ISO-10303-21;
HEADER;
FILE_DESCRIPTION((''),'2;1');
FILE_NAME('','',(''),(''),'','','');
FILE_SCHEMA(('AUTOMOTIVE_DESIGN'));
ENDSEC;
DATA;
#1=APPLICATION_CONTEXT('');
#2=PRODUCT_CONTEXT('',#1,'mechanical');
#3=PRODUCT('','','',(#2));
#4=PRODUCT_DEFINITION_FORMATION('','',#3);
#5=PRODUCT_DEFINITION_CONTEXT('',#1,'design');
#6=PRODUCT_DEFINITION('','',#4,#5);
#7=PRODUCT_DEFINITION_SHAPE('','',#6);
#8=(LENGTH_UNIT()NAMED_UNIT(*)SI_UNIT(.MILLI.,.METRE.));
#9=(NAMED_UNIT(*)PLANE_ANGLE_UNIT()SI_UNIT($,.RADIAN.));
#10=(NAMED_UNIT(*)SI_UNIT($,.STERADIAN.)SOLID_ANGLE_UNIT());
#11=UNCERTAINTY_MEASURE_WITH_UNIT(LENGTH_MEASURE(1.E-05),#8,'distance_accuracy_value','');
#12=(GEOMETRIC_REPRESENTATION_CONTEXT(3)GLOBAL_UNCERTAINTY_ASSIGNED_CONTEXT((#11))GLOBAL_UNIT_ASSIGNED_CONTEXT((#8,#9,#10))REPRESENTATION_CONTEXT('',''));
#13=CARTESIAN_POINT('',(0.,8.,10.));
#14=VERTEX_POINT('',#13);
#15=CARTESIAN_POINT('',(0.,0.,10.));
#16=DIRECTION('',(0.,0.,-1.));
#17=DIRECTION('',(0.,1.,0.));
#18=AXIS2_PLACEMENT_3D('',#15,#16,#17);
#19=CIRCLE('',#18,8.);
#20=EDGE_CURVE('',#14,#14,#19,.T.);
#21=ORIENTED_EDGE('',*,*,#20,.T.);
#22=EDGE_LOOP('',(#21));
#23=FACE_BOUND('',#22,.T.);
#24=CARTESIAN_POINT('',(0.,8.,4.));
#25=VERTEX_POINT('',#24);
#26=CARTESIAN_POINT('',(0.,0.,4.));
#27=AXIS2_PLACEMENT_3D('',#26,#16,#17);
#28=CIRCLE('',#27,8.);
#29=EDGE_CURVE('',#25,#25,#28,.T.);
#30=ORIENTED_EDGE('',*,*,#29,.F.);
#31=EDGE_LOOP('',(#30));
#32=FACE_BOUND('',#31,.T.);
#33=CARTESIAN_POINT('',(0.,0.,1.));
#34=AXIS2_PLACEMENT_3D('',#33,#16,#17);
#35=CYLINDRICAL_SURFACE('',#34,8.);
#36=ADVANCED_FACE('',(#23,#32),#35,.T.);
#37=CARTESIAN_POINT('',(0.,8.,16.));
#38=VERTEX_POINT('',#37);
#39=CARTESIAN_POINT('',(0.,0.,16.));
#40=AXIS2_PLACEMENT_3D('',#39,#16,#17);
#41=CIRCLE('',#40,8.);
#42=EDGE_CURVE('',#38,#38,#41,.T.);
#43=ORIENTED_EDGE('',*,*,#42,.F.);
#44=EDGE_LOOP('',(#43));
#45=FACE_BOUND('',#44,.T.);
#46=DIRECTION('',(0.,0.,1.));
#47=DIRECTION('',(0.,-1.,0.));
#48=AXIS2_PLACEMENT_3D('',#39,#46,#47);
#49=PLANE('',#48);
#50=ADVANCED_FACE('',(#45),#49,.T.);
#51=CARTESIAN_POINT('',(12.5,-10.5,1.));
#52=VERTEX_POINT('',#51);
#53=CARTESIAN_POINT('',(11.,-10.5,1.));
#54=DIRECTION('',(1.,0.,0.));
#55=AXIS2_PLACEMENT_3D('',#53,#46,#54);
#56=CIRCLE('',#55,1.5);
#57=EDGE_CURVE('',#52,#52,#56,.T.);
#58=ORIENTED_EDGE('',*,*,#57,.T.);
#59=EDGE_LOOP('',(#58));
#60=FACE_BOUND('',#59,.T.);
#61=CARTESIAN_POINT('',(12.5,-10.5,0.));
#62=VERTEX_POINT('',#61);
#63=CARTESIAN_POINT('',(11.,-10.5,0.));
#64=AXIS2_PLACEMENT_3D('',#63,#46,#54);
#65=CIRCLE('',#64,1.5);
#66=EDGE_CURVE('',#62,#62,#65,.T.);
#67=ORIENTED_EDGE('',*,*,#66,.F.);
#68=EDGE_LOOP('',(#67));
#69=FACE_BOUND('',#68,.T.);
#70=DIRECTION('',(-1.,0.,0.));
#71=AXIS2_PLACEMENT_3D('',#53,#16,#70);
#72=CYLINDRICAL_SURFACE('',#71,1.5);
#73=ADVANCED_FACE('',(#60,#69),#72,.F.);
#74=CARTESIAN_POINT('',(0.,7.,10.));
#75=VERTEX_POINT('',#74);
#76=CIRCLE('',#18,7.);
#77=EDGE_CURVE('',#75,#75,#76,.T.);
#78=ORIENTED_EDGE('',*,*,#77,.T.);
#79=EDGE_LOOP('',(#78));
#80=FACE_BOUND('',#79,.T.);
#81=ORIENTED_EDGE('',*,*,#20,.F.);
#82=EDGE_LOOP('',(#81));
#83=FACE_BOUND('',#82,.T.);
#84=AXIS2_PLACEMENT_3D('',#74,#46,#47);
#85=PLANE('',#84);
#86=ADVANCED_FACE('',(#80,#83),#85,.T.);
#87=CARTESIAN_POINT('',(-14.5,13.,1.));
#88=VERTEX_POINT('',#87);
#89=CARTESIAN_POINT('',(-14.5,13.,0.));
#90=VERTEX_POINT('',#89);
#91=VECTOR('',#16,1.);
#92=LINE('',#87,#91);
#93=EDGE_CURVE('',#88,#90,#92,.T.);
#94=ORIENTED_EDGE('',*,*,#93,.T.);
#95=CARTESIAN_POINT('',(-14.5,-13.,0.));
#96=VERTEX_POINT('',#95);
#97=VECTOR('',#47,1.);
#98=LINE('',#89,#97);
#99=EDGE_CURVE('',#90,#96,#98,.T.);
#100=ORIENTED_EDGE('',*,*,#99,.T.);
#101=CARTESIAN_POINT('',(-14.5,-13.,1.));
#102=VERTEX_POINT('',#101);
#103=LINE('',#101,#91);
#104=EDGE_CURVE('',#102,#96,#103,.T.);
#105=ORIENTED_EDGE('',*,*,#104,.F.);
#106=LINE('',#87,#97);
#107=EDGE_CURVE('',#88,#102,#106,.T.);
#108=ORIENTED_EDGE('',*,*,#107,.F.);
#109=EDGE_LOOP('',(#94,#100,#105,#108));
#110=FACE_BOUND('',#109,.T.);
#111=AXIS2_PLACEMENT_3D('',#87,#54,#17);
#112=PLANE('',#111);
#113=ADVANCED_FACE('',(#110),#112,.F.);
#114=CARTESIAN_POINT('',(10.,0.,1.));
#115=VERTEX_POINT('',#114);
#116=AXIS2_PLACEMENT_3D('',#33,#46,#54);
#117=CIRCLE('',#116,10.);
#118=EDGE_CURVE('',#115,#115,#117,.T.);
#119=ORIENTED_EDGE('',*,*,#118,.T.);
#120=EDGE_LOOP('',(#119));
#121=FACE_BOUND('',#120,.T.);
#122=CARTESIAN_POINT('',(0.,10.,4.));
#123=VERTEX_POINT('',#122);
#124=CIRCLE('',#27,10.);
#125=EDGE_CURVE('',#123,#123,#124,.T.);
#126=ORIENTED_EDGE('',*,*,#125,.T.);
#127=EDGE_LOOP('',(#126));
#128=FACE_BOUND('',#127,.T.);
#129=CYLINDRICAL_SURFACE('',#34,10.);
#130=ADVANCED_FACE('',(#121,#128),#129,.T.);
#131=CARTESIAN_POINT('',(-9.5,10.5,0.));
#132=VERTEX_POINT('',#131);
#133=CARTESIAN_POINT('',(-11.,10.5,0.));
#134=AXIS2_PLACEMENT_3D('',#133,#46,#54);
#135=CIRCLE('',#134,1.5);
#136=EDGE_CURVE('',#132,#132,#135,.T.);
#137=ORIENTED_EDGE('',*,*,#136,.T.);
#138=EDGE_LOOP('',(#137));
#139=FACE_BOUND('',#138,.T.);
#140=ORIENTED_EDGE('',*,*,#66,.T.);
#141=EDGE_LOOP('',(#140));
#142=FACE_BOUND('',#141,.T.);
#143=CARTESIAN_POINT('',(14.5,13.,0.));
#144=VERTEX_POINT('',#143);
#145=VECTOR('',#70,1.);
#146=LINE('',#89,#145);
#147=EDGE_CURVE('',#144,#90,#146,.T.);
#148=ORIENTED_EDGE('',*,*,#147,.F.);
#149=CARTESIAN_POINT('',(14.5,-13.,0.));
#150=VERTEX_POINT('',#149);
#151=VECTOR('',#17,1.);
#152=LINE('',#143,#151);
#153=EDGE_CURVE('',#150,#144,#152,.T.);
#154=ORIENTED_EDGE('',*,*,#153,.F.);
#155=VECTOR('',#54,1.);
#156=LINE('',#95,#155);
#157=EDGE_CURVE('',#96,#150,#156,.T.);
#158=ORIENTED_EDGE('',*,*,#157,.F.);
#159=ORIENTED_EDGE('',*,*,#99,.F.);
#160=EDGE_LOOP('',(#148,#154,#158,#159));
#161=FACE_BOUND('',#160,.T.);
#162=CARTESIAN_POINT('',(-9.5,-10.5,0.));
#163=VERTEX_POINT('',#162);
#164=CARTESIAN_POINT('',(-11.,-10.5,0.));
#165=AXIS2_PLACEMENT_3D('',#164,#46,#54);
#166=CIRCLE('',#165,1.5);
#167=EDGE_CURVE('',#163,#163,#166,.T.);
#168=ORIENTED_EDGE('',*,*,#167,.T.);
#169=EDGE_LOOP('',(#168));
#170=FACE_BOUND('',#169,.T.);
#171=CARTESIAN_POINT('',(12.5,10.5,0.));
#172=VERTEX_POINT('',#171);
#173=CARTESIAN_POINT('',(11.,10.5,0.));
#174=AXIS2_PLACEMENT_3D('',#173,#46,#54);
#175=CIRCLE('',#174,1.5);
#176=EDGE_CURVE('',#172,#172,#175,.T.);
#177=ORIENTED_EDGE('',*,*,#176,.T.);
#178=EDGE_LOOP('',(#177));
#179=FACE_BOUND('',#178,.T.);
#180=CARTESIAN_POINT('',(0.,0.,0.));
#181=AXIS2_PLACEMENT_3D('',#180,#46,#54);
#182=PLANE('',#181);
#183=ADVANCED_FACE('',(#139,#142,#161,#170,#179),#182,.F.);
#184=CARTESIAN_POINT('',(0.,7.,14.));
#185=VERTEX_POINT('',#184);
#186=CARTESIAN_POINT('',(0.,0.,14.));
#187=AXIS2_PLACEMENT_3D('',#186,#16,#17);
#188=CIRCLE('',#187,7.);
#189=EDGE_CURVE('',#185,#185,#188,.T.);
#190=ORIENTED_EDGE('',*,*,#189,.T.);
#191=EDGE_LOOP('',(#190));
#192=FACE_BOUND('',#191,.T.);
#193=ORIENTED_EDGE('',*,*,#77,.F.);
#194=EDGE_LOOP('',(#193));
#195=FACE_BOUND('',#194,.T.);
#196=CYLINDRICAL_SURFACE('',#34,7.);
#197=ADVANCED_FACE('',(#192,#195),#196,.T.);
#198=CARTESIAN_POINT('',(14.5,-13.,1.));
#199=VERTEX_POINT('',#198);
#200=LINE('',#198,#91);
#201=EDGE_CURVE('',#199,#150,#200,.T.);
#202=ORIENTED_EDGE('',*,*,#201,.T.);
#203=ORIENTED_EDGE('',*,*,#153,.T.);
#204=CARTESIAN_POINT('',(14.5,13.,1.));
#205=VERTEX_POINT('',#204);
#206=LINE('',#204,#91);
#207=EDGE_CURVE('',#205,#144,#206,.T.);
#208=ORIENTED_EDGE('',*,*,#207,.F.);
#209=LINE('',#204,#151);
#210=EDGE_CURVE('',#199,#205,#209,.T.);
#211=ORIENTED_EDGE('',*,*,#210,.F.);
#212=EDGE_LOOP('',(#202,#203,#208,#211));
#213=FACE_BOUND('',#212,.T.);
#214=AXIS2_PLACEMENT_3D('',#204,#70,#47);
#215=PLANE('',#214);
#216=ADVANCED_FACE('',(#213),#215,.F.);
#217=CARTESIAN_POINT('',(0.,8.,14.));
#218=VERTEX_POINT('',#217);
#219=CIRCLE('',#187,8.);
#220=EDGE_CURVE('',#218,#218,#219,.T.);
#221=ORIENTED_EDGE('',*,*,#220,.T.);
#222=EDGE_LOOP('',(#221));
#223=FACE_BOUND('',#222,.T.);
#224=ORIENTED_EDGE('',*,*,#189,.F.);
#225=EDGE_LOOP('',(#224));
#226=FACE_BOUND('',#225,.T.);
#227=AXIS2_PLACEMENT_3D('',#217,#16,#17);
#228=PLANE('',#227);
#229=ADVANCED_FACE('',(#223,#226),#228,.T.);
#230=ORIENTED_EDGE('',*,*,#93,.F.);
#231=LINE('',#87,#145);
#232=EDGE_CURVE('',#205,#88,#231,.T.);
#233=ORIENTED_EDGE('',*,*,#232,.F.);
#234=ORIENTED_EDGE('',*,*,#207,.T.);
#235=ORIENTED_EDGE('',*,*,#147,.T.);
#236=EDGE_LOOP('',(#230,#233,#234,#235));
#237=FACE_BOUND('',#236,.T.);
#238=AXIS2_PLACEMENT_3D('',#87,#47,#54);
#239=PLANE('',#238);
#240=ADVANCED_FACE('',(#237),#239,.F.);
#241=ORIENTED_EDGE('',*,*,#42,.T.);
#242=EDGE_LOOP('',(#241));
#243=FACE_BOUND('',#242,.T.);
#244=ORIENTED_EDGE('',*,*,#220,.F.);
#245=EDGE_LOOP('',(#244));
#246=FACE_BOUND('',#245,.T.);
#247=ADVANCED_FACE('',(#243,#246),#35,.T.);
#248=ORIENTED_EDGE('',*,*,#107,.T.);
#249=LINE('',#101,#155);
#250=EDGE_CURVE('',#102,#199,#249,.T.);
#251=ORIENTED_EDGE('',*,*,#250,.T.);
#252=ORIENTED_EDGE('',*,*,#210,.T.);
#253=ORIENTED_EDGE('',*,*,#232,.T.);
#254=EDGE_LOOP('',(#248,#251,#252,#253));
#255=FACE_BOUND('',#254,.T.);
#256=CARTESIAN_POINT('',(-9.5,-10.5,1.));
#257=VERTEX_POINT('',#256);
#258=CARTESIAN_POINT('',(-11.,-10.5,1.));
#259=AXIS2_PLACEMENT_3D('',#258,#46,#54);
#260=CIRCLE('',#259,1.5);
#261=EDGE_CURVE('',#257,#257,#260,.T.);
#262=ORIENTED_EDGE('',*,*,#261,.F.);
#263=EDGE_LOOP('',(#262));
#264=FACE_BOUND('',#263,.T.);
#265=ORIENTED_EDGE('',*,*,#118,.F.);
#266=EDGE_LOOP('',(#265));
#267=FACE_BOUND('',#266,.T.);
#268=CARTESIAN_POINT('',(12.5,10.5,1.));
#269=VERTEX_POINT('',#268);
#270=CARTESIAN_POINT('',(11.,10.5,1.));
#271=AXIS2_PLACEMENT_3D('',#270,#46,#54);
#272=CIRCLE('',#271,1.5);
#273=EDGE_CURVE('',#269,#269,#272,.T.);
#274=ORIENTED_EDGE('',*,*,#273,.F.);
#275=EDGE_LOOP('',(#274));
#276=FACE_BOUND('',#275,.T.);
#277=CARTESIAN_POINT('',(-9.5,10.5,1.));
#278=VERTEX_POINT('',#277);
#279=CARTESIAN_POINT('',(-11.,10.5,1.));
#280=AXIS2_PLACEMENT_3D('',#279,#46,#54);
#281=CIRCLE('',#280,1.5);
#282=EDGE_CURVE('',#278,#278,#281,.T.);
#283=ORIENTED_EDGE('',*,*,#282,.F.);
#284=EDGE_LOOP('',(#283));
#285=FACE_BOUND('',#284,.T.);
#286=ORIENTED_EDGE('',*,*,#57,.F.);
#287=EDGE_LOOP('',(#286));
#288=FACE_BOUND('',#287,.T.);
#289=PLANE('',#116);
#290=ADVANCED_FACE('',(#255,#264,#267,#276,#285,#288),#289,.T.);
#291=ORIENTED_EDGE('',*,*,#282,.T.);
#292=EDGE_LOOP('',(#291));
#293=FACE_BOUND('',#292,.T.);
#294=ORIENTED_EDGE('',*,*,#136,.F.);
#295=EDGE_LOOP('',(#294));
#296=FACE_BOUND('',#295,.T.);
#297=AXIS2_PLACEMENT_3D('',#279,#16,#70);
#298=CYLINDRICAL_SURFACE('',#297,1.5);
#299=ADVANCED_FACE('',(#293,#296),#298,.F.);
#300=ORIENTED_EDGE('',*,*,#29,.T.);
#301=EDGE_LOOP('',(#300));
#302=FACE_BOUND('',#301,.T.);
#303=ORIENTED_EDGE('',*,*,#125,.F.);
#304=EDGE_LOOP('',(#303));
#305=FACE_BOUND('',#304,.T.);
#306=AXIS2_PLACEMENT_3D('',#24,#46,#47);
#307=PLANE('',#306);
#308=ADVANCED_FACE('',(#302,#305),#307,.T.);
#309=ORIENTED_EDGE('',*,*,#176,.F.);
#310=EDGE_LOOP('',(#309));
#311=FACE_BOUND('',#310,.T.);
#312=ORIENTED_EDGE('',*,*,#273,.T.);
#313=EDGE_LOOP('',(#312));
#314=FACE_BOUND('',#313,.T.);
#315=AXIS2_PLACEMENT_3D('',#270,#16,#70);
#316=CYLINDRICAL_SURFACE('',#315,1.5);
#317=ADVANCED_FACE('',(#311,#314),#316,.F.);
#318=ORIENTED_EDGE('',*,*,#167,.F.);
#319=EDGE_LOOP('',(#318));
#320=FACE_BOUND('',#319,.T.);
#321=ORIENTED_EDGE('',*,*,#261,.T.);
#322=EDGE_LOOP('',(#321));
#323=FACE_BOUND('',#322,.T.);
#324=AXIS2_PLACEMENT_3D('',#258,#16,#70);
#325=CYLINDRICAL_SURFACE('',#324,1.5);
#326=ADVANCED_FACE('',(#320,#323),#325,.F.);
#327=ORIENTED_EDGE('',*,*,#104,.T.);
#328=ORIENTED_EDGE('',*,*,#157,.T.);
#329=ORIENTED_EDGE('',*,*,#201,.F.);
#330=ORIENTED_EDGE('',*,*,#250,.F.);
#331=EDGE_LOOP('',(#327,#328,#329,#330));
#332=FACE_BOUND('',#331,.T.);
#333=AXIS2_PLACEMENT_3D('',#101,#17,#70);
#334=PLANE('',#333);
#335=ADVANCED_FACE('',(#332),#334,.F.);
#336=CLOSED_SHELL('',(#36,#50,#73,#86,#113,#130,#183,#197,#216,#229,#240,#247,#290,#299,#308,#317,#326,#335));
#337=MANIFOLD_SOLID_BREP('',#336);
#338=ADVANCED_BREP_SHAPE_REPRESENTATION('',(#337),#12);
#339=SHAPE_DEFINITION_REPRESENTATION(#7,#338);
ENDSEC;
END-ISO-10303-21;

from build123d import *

# Parameters (mm, degrees)
SKETCH_1_W      = 29
SKETCH_1_H      = 26
SKETCH_1_R      = 1.5
EXTRUDE_1_DEPTH = 1


with BuildPart() as part:
    # 草图1 → 凸台-拉伸1 (new body)
    with BuildSketch(Plane.XY):
        Rectangle(SKETCH_1_W, SKETCH_1_H)
        with Locations((-11, 10.5)):
            Circle(SKETCH_1_R, mode=Mode.SUBTRACT)
        with Locations((11, 10.5)):
            Circle(SKETCH_1_R, mode=Mode.SUBTRACT)
        with Locations((11, -10.5)):
            Circle(SKETCH_1_R, mode=Mode.SUBTRACT)
        with Locations((-11, -10.5)):
            Circle(SKETCH_1_R, mode=Mode.SUBTRACT)
    extrude(amount=EXTRUDE_1_DEPTH)

    # 草图2 → 旋转2 (revolve)
    with BuildSketch(Plane(origin=(0, 0, 0), x_dir=(0, 0, -1), z_dir=(1, 0, 0))):
        Polygon((-1, 0), (-16, 0), (-16, 8), (-14, 8), (-14, 7), (-10, 7), (-10, 8), (-4, 8), (-4, 10), (-1, 10), align=None)
    revolve(axis=Axis((0, 0, 1), (0, 0, 1)))


solid = part.part
